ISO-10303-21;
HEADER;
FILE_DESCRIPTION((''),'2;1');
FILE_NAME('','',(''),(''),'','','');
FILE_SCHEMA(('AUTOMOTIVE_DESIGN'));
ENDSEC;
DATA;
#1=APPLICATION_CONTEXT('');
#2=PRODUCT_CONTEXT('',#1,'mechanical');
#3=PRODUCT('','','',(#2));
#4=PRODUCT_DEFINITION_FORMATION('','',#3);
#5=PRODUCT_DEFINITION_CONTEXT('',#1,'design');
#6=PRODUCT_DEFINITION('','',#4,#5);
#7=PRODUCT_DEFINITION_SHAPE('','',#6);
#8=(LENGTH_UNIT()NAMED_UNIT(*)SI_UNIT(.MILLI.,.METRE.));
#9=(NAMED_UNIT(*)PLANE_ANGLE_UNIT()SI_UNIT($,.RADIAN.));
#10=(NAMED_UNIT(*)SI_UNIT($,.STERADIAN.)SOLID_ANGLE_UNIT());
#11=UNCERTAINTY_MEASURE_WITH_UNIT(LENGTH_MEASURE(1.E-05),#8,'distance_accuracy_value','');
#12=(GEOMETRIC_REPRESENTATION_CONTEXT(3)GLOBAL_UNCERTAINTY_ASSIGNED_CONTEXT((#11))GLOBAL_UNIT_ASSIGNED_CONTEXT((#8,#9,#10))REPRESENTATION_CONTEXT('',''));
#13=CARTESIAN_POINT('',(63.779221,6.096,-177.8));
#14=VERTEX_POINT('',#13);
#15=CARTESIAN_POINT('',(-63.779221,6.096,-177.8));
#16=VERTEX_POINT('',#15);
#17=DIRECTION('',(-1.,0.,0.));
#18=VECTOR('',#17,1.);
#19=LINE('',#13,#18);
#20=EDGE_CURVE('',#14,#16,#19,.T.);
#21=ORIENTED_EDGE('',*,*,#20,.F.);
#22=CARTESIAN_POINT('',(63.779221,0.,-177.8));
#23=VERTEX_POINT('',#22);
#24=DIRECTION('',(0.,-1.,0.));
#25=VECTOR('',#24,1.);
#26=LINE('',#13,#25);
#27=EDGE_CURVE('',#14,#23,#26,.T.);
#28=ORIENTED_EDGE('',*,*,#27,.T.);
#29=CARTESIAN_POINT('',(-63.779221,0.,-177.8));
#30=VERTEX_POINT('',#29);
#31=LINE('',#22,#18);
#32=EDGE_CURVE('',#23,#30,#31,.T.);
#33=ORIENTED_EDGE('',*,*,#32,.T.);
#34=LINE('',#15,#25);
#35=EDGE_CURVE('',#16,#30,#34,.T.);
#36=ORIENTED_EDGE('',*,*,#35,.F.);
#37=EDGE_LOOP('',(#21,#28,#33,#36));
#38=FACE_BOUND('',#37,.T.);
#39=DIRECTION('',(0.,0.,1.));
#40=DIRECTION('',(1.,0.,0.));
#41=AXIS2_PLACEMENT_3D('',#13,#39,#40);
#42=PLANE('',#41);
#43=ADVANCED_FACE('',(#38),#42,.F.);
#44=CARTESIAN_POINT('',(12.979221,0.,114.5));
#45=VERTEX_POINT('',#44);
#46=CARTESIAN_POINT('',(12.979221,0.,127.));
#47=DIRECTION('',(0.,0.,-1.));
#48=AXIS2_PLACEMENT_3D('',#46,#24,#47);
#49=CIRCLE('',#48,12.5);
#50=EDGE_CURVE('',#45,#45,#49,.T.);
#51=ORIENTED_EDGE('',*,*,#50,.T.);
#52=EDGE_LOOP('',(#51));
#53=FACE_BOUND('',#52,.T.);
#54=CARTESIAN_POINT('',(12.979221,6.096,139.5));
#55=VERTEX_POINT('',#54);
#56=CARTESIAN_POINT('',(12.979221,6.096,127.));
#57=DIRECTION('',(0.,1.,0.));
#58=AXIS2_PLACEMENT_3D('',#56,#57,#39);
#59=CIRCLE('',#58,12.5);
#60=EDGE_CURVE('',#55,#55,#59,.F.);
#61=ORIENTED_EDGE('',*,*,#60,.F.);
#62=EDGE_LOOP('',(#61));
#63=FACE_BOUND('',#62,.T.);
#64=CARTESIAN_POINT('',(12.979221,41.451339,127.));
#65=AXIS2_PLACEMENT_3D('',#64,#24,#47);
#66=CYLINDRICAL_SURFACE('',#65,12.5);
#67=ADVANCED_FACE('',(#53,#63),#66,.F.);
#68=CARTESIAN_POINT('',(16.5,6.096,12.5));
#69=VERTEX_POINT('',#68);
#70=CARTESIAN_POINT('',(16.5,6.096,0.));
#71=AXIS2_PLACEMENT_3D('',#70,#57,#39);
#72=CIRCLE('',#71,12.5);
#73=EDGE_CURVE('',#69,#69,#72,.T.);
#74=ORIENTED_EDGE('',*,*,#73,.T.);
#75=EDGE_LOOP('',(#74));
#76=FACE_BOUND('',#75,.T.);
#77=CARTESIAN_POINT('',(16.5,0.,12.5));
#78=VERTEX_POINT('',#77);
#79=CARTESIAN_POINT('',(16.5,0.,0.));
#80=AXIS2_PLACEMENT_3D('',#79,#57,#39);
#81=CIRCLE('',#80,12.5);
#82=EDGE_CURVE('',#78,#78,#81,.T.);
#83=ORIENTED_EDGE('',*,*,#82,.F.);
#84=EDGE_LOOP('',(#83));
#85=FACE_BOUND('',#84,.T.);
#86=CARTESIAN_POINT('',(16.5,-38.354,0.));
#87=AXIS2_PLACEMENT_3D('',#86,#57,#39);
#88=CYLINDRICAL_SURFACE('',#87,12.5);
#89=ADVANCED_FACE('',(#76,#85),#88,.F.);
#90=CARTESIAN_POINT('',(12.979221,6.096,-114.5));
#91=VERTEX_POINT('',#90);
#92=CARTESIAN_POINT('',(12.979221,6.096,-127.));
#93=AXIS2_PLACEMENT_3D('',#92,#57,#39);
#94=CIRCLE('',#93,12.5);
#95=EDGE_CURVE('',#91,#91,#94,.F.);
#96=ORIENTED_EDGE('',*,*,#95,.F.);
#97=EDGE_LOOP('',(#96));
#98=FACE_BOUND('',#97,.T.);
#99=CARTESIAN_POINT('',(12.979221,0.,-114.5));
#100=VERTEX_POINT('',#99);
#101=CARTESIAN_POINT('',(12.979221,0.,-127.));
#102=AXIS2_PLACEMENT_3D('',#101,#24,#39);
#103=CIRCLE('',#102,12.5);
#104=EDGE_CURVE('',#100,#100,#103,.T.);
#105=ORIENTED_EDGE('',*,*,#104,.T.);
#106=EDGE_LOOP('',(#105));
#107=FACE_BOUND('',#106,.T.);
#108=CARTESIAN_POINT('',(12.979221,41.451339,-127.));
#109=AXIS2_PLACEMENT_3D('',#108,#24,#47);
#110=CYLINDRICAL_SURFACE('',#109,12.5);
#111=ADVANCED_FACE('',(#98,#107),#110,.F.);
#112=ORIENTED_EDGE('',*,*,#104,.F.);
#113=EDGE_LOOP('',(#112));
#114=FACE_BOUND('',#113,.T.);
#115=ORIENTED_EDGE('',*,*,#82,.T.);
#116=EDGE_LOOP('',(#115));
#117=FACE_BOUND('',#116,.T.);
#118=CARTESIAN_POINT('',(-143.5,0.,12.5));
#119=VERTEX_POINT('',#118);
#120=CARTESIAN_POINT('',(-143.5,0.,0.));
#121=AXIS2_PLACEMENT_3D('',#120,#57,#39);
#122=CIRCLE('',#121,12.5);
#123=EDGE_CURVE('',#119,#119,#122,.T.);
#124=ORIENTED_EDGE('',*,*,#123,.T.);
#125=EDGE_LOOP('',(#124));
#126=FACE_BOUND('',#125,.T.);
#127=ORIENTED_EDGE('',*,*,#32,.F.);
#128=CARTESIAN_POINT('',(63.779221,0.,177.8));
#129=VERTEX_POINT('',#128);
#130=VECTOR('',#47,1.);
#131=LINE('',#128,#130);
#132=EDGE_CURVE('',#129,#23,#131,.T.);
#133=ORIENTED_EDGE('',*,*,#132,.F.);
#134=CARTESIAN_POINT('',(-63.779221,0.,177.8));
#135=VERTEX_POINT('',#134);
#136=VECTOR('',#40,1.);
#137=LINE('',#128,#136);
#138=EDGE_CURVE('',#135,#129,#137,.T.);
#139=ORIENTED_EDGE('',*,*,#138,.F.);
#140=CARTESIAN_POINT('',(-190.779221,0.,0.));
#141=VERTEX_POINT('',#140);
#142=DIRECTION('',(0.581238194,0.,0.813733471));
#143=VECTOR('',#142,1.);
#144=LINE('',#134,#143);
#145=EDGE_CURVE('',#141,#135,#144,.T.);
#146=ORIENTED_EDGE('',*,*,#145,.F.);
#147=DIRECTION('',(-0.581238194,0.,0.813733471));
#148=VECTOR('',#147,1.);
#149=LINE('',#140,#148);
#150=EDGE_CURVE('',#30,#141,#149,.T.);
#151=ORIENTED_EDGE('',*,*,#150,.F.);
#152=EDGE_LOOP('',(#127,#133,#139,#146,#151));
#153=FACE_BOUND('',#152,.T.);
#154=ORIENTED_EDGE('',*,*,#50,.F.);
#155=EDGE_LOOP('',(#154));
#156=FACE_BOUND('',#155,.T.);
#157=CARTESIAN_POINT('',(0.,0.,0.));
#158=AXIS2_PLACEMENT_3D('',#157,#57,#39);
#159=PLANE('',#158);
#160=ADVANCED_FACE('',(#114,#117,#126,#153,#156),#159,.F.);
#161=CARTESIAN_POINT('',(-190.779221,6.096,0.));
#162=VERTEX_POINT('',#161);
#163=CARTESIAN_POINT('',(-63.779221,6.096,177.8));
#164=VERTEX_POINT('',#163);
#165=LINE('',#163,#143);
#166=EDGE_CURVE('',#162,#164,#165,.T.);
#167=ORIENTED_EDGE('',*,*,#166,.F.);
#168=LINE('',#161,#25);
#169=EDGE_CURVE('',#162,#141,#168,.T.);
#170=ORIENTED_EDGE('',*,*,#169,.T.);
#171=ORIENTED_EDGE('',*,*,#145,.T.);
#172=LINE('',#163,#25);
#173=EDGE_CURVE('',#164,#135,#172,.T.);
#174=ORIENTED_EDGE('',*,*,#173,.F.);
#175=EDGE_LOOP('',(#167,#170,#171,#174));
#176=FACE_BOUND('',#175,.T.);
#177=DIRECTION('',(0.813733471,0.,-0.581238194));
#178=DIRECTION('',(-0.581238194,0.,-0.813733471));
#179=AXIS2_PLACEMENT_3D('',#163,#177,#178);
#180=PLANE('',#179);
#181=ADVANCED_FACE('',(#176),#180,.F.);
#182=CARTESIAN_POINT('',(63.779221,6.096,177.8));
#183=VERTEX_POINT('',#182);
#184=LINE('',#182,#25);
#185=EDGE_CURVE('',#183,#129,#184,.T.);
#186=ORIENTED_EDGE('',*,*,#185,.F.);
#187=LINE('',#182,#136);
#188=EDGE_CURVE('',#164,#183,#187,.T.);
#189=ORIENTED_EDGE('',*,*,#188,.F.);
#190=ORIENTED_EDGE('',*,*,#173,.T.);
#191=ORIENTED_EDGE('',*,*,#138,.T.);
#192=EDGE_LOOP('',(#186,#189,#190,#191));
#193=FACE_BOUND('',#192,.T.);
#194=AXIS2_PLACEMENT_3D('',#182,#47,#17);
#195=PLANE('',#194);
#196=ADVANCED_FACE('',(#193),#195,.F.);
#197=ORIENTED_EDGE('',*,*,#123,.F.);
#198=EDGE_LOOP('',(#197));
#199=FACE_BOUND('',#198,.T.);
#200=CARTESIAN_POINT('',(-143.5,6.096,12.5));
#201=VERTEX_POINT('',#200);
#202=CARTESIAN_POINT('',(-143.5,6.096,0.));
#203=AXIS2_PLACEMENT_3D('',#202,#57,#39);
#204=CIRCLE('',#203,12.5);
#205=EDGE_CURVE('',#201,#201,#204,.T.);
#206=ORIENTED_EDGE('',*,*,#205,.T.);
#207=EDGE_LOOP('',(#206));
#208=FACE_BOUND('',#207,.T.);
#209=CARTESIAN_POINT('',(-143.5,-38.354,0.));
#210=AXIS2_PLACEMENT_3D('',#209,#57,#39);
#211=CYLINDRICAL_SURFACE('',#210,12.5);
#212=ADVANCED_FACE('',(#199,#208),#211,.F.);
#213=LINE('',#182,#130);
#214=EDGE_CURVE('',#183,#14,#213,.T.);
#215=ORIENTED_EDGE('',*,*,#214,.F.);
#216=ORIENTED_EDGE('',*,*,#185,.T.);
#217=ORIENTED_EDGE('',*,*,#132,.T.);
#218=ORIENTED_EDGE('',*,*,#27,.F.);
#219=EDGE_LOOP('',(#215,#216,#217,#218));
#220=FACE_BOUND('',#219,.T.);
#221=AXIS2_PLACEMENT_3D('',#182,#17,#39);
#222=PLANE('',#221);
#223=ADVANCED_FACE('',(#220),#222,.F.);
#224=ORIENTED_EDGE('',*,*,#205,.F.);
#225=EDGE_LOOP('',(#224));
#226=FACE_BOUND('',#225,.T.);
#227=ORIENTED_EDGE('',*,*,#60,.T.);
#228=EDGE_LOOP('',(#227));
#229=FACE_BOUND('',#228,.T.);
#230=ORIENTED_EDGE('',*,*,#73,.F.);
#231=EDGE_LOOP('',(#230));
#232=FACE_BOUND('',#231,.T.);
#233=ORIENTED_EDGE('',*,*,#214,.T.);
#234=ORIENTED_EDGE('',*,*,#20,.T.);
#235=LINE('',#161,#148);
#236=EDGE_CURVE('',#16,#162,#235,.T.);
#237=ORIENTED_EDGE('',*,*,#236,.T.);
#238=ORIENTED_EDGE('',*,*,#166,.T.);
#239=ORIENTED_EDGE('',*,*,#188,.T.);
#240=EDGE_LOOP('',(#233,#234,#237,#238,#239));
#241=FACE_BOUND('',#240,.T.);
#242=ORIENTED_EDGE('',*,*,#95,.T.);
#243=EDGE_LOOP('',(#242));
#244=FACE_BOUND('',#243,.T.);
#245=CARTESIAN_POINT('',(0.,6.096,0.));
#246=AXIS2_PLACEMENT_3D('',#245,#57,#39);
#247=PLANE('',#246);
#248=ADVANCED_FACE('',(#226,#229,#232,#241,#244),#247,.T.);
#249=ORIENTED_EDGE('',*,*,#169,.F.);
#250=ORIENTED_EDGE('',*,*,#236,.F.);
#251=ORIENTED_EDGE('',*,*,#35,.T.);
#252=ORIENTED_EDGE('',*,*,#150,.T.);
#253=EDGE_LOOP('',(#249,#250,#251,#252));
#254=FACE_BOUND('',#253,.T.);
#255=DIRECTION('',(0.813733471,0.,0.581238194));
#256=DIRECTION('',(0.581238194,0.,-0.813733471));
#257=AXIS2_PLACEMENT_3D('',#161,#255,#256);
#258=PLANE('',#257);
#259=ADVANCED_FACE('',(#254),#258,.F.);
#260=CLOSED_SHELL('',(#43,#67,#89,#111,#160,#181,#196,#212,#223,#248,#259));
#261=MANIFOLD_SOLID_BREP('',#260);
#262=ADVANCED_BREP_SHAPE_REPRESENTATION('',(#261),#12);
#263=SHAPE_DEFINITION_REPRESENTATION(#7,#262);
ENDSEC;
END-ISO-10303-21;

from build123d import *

# Parameters (mm, degrees)
BOSS_EXTRUDE1_DEPTH = 6.096
SKETCH3_R           = 12.5
CUT_EXTRUDE1_DEPTH  = 44.45
SKETCH4_R           = 12.5
CUT_EXTRUDE2_DEPTH  = 6.096


with BuildPart() as part:
    # Sketch1 → Boss-Extrude1 (new body)
    with BuildSketch(Plane(origin=(0, 0, 0), x_dir=(1, 0, 0), z_dir=(0, 1, 0))):
        Polygon((-63.779220614, -177.8), (-190.779220614, 0), (-63.779220614, 177.8), (63.779220614, 177.8), (63.779220614, -177.8), align=None)
    extrude(amount=BOSS_EXTRUDE1_DEPTH)

    # Sketch3 → Cut-Extrude1 (cut)
    with BuildSketch(Plane(origin=(0, 6.096, 0), x_dir=(1, 0, 0), z_dir=(0, 1, 0))):
        with Locations(Location((-143.5, 0, 0), (0, 0, 270))):
            Circle(SKETCH3_R)
        with Locations(Location((16.5, 0, 0), (0, 0, 270))):
            Circle(SKETCH3_R)
    extrude(amount=-CUT_EXTRUDE1_DEPTH, mode=Mode.SUBTRACT)

    # Sketch4 → Cut-Extrude2 (cut)
    with BuildSketch(Plane.XZ):
        with Locations(Location((12.979220614, 127, 0), (0, 0, 270))):
            Circle(SKETCH4_R)
        with Locations(Location((12.979220614, -127, 0), (0, 0, 90))):
            Circle(SKETCH4_R)
    extrude(amount=-CUT_EXTRUDE2_DEPTH, mode=Mode.SUBTRACT)


solid = part.part
